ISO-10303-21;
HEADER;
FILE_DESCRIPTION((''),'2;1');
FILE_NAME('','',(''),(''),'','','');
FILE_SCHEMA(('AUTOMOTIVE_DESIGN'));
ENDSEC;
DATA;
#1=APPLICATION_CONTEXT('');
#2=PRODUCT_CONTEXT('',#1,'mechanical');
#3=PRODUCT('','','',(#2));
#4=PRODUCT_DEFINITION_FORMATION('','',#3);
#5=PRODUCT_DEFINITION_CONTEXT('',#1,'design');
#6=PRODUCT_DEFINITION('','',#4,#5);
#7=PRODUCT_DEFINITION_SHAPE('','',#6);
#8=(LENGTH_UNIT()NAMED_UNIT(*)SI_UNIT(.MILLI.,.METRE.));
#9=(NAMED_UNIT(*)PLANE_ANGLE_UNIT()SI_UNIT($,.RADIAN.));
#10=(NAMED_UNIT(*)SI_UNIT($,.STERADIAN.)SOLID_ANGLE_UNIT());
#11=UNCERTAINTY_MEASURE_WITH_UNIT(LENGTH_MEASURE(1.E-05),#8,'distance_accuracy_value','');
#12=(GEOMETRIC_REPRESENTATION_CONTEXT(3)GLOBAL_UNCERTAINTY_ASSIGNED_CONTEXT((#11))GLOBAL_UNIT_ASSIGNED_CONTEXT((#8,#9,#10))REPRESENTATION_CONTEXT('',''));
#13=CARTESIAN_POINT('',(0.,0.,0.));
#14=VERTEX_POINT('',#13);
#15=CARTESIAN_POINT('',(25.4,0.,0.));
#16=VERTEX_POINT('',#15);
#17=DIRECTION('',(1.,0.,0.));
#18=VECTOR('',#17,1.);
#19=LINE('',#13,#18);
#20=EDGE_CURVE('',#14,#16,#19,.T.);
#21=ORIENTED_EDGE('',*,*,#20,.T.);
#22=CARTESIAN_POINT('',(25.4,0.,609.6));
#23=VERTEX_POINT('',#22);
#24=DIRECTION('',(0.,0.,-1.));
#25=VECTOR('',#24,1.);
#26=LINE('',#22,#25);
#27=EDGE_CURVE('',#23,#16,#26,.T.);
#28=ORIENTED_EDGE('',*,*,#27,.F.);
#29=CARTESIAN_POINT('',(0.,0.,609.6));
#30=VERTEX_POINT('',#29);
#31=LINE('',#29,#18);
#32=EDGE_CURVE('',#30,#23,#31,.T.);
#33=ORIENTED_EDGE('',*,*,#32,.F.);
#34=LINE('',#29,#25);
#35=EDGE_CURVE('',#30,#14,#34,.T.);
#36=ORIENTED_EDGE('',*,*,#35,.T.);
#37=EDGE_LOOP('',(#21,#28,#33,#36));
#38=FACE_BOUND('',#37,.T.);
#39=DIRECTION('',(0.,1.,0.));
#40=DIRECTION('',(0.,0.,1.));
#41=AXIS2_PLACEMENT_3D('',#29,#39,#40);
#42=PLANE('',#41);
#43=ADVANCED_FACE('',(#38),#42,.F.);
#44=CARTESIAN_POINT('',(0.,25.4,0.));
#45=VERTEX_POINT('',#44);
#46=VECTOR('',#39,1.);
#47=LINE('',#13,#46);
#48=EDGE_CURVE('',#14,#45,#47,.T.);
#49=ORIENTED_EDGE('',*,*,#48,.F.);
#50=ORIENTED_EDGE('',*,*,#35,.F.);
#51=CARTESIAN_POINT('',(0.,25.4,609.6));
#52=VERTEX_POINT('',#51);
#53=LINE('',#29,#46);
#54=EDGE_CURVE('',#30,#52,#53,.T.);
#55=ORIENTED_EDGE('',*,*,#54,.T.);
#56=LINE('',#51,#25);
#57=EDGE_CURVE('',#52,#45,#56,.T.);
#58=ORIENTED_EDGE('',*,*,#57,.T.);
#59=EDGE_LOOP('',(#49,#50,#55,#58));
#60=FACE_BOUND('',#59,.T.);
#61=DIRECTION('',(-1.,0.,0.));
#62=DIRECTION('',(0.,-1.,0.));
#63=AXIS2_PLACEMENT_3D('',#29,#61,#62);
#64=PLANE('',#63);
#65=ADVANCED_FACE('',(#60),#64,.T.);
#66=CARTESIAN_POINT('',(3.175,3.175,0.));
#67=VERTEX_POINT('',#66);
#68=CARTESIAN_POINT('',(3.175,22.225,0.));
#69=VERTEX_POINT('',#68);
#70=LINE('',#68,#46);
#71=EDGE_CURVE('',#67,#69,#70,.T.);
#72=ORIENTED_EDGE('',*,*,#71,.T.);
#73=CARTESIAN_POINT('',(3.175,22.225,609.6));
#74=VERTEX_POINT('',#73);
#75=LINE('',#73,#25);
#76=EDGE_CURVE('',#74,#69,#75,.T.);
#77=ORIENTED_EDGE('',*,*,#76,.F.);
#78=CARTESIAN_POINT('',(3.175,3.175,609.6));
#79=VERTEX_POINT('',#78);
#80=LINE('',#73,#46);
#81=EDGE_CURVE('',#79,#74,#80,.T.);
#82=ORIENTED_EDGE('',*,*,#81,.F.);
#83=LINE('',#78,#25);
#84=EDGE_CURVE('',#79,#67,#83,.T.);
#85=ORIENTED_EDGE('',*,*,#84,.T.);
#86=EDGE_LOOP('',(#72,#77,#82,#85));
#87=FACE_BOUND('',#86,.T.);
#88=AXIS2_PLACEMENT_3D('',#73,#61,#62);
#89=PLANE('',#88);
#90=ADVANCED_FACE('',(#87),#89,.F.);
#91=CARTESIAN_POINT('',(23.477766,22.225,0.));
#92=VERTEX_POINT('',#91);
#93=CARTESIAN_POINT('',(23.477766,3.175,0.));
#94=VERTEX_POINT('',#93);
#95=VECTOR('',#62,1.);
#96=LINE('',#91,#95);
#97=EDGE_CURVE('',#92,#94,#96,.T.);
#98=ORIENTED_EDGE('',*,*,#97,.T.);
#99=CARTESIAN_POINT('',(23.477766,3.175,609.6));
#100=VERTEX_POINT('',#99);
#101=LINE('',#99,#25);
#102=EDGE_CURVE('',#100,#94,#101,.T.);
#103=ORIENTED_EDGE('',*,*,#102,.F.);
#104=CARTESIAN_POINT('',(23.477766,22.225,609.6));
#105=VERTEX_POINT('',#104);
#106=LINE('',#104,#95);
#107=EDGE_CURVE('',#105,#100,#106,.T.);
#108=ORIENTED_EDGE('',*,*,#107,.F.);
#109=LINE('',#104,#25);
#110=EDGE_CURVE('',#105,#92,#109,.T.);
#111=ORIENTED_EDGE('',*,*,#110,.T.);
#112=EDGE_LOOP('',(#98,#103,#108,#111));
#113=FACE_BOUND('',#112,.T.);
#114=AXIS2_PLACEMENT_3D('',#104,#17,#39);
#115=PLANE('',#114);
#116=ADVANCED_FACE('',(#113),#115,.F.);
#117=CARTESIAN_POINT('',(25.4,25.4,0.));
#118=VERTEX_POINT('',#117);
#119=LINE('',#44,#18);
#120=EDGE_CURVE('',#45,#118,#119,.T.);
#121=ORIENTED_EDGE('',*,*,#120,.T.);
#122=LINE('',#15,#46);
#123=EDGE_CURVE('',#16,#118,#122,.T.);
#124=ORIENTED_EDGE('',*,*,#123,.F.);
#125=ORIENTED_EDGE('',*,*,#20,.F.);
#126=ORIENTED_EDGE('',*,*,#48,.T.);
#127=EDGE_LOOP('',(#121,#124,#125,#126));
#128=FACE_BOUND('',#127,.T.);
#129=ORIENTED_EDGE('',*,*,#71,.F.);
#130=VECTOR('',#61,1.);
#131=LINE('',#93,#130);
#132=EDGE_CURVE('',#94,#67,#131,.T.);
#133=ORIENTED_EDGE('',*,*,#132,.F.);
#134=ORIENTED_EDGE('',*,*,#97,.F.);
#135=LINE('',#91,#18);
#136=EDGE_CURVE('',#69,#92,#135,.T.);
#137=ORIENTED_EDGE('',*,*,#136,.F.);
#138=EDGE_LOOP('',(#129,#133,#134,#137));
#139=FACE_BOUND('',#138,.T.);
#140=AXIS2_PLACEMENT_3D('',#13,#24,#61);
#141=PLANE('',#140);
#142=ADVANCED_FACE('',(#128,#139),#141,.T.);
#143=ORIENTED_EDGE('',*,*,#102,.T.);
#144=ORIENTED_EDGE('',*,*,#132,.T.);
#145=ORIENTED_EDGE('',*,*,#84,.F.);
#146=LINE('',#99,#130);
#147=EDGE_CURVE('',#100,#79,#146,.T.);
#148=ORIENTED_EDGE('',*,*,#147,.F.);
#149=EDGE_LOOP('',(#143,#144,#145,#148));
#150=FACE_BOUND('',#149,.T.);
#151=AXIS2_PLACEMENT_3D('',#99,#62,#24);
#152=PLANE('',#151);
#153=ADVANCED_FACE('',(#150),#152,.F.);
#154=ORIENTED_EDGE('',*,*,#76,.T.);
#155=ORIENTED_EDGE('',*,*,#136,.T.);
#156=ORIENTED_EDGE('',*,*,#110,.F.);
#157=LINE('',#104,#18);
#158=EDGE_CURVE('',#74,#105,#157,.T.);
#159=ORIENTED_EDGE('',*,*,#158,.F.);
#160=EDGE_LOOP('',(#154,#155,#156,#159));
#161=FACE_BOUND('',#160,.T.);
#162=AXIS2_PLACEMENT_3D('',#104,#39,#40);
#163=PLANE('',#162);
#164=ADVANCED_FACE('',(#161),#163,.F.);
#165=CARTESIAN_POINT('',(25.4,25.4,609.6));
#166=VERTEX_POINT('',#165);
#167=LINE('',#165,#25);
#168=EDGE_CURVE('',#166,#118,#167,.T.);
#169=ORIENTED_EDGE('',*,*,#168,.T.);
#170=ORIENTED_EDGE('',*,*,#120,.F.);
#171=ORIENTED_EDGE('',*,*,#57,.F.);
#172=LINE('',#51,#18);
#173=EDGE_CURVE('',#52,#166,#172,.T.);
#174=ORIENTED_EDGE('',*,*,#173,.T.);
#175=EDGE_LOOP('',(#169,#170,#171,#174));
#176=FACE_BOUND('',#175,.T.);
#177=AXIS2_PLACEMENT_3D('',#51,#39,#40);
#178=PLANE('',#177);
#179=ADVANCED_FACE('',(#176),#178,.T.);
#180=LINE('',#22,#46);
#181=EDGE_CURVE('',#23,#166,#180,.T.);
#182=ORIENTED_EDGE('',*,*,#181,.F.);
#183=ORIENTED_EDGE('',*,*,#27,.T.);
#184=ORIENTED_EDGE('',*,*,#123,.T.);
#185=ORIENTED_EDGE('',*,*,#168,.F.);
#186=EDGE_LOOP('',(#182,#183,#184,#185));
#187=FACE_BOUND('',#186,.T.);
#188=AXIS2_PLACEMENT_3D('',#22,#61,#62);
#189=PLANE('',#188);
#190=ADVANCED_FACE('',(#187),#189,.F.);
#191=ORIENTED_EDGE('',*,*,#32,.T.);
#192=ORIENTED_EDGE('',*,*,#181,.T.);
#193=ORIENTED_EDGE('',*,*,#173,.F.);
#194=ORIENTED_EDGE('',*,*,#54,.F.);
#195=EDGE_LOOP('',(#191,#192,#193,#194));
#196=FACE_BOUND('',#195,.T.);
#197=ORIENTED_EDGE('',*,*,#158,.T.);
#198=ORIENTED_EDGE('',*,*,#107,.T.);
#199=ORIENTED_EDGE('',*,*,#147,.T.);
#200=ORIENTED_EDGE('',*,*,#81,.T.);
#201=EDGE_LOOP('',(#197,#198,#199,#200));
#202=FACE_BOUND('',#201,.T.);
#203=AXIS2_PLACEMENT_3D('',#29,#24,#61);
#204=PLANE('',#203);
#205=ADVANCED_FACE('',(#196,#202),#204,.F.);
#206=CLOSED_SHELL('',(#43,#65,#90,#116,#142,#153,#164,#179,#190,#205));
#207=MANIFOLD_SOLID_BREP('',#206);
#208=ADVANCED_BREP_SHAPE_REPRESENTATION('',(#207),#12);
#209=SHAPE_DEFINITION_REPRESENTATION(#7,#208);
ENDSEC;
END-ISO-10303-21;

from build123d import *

# Parameters (mm, degrees)
SKETCH1_W           = 25.4
SKETCH1_H           = 25.4
BOSS_EXTRUDE2_DEPTH = 609.6
SKETCH2_W           = 20.302766191
SKETCH2_H           = 19.05
CUT_EXTRUDE1_DEPTH  = 611.657416233


with BuildPart() as part:
    # Sketch1 → Boss-Extrude2 (new body)
    with BuildSketch(Plane.XY):
        with Locations((12.7, 12.7)):
            Rectangle(SKETCH1_W, SKETCH1_H)
    extrude(amount=BOSS_EXTRUDE2_DEPTH)

    # Sketch2 → Cut-Extrude1 (cut, through all)
    with BuildSketch(Plane(origin=(0, 0, 0), x_dir=(-1, 0, 0), z_dir=(0, 0, -1))):
        with Locations((-13.326383096, 12.7)):
            Rectangle(SKETCH2_W, SKETCH2_H)
    extrude(amount=-CUT_EXTRUDE1_DEPTH, mode=Mode.SUBTRACT)


solid = part.part
